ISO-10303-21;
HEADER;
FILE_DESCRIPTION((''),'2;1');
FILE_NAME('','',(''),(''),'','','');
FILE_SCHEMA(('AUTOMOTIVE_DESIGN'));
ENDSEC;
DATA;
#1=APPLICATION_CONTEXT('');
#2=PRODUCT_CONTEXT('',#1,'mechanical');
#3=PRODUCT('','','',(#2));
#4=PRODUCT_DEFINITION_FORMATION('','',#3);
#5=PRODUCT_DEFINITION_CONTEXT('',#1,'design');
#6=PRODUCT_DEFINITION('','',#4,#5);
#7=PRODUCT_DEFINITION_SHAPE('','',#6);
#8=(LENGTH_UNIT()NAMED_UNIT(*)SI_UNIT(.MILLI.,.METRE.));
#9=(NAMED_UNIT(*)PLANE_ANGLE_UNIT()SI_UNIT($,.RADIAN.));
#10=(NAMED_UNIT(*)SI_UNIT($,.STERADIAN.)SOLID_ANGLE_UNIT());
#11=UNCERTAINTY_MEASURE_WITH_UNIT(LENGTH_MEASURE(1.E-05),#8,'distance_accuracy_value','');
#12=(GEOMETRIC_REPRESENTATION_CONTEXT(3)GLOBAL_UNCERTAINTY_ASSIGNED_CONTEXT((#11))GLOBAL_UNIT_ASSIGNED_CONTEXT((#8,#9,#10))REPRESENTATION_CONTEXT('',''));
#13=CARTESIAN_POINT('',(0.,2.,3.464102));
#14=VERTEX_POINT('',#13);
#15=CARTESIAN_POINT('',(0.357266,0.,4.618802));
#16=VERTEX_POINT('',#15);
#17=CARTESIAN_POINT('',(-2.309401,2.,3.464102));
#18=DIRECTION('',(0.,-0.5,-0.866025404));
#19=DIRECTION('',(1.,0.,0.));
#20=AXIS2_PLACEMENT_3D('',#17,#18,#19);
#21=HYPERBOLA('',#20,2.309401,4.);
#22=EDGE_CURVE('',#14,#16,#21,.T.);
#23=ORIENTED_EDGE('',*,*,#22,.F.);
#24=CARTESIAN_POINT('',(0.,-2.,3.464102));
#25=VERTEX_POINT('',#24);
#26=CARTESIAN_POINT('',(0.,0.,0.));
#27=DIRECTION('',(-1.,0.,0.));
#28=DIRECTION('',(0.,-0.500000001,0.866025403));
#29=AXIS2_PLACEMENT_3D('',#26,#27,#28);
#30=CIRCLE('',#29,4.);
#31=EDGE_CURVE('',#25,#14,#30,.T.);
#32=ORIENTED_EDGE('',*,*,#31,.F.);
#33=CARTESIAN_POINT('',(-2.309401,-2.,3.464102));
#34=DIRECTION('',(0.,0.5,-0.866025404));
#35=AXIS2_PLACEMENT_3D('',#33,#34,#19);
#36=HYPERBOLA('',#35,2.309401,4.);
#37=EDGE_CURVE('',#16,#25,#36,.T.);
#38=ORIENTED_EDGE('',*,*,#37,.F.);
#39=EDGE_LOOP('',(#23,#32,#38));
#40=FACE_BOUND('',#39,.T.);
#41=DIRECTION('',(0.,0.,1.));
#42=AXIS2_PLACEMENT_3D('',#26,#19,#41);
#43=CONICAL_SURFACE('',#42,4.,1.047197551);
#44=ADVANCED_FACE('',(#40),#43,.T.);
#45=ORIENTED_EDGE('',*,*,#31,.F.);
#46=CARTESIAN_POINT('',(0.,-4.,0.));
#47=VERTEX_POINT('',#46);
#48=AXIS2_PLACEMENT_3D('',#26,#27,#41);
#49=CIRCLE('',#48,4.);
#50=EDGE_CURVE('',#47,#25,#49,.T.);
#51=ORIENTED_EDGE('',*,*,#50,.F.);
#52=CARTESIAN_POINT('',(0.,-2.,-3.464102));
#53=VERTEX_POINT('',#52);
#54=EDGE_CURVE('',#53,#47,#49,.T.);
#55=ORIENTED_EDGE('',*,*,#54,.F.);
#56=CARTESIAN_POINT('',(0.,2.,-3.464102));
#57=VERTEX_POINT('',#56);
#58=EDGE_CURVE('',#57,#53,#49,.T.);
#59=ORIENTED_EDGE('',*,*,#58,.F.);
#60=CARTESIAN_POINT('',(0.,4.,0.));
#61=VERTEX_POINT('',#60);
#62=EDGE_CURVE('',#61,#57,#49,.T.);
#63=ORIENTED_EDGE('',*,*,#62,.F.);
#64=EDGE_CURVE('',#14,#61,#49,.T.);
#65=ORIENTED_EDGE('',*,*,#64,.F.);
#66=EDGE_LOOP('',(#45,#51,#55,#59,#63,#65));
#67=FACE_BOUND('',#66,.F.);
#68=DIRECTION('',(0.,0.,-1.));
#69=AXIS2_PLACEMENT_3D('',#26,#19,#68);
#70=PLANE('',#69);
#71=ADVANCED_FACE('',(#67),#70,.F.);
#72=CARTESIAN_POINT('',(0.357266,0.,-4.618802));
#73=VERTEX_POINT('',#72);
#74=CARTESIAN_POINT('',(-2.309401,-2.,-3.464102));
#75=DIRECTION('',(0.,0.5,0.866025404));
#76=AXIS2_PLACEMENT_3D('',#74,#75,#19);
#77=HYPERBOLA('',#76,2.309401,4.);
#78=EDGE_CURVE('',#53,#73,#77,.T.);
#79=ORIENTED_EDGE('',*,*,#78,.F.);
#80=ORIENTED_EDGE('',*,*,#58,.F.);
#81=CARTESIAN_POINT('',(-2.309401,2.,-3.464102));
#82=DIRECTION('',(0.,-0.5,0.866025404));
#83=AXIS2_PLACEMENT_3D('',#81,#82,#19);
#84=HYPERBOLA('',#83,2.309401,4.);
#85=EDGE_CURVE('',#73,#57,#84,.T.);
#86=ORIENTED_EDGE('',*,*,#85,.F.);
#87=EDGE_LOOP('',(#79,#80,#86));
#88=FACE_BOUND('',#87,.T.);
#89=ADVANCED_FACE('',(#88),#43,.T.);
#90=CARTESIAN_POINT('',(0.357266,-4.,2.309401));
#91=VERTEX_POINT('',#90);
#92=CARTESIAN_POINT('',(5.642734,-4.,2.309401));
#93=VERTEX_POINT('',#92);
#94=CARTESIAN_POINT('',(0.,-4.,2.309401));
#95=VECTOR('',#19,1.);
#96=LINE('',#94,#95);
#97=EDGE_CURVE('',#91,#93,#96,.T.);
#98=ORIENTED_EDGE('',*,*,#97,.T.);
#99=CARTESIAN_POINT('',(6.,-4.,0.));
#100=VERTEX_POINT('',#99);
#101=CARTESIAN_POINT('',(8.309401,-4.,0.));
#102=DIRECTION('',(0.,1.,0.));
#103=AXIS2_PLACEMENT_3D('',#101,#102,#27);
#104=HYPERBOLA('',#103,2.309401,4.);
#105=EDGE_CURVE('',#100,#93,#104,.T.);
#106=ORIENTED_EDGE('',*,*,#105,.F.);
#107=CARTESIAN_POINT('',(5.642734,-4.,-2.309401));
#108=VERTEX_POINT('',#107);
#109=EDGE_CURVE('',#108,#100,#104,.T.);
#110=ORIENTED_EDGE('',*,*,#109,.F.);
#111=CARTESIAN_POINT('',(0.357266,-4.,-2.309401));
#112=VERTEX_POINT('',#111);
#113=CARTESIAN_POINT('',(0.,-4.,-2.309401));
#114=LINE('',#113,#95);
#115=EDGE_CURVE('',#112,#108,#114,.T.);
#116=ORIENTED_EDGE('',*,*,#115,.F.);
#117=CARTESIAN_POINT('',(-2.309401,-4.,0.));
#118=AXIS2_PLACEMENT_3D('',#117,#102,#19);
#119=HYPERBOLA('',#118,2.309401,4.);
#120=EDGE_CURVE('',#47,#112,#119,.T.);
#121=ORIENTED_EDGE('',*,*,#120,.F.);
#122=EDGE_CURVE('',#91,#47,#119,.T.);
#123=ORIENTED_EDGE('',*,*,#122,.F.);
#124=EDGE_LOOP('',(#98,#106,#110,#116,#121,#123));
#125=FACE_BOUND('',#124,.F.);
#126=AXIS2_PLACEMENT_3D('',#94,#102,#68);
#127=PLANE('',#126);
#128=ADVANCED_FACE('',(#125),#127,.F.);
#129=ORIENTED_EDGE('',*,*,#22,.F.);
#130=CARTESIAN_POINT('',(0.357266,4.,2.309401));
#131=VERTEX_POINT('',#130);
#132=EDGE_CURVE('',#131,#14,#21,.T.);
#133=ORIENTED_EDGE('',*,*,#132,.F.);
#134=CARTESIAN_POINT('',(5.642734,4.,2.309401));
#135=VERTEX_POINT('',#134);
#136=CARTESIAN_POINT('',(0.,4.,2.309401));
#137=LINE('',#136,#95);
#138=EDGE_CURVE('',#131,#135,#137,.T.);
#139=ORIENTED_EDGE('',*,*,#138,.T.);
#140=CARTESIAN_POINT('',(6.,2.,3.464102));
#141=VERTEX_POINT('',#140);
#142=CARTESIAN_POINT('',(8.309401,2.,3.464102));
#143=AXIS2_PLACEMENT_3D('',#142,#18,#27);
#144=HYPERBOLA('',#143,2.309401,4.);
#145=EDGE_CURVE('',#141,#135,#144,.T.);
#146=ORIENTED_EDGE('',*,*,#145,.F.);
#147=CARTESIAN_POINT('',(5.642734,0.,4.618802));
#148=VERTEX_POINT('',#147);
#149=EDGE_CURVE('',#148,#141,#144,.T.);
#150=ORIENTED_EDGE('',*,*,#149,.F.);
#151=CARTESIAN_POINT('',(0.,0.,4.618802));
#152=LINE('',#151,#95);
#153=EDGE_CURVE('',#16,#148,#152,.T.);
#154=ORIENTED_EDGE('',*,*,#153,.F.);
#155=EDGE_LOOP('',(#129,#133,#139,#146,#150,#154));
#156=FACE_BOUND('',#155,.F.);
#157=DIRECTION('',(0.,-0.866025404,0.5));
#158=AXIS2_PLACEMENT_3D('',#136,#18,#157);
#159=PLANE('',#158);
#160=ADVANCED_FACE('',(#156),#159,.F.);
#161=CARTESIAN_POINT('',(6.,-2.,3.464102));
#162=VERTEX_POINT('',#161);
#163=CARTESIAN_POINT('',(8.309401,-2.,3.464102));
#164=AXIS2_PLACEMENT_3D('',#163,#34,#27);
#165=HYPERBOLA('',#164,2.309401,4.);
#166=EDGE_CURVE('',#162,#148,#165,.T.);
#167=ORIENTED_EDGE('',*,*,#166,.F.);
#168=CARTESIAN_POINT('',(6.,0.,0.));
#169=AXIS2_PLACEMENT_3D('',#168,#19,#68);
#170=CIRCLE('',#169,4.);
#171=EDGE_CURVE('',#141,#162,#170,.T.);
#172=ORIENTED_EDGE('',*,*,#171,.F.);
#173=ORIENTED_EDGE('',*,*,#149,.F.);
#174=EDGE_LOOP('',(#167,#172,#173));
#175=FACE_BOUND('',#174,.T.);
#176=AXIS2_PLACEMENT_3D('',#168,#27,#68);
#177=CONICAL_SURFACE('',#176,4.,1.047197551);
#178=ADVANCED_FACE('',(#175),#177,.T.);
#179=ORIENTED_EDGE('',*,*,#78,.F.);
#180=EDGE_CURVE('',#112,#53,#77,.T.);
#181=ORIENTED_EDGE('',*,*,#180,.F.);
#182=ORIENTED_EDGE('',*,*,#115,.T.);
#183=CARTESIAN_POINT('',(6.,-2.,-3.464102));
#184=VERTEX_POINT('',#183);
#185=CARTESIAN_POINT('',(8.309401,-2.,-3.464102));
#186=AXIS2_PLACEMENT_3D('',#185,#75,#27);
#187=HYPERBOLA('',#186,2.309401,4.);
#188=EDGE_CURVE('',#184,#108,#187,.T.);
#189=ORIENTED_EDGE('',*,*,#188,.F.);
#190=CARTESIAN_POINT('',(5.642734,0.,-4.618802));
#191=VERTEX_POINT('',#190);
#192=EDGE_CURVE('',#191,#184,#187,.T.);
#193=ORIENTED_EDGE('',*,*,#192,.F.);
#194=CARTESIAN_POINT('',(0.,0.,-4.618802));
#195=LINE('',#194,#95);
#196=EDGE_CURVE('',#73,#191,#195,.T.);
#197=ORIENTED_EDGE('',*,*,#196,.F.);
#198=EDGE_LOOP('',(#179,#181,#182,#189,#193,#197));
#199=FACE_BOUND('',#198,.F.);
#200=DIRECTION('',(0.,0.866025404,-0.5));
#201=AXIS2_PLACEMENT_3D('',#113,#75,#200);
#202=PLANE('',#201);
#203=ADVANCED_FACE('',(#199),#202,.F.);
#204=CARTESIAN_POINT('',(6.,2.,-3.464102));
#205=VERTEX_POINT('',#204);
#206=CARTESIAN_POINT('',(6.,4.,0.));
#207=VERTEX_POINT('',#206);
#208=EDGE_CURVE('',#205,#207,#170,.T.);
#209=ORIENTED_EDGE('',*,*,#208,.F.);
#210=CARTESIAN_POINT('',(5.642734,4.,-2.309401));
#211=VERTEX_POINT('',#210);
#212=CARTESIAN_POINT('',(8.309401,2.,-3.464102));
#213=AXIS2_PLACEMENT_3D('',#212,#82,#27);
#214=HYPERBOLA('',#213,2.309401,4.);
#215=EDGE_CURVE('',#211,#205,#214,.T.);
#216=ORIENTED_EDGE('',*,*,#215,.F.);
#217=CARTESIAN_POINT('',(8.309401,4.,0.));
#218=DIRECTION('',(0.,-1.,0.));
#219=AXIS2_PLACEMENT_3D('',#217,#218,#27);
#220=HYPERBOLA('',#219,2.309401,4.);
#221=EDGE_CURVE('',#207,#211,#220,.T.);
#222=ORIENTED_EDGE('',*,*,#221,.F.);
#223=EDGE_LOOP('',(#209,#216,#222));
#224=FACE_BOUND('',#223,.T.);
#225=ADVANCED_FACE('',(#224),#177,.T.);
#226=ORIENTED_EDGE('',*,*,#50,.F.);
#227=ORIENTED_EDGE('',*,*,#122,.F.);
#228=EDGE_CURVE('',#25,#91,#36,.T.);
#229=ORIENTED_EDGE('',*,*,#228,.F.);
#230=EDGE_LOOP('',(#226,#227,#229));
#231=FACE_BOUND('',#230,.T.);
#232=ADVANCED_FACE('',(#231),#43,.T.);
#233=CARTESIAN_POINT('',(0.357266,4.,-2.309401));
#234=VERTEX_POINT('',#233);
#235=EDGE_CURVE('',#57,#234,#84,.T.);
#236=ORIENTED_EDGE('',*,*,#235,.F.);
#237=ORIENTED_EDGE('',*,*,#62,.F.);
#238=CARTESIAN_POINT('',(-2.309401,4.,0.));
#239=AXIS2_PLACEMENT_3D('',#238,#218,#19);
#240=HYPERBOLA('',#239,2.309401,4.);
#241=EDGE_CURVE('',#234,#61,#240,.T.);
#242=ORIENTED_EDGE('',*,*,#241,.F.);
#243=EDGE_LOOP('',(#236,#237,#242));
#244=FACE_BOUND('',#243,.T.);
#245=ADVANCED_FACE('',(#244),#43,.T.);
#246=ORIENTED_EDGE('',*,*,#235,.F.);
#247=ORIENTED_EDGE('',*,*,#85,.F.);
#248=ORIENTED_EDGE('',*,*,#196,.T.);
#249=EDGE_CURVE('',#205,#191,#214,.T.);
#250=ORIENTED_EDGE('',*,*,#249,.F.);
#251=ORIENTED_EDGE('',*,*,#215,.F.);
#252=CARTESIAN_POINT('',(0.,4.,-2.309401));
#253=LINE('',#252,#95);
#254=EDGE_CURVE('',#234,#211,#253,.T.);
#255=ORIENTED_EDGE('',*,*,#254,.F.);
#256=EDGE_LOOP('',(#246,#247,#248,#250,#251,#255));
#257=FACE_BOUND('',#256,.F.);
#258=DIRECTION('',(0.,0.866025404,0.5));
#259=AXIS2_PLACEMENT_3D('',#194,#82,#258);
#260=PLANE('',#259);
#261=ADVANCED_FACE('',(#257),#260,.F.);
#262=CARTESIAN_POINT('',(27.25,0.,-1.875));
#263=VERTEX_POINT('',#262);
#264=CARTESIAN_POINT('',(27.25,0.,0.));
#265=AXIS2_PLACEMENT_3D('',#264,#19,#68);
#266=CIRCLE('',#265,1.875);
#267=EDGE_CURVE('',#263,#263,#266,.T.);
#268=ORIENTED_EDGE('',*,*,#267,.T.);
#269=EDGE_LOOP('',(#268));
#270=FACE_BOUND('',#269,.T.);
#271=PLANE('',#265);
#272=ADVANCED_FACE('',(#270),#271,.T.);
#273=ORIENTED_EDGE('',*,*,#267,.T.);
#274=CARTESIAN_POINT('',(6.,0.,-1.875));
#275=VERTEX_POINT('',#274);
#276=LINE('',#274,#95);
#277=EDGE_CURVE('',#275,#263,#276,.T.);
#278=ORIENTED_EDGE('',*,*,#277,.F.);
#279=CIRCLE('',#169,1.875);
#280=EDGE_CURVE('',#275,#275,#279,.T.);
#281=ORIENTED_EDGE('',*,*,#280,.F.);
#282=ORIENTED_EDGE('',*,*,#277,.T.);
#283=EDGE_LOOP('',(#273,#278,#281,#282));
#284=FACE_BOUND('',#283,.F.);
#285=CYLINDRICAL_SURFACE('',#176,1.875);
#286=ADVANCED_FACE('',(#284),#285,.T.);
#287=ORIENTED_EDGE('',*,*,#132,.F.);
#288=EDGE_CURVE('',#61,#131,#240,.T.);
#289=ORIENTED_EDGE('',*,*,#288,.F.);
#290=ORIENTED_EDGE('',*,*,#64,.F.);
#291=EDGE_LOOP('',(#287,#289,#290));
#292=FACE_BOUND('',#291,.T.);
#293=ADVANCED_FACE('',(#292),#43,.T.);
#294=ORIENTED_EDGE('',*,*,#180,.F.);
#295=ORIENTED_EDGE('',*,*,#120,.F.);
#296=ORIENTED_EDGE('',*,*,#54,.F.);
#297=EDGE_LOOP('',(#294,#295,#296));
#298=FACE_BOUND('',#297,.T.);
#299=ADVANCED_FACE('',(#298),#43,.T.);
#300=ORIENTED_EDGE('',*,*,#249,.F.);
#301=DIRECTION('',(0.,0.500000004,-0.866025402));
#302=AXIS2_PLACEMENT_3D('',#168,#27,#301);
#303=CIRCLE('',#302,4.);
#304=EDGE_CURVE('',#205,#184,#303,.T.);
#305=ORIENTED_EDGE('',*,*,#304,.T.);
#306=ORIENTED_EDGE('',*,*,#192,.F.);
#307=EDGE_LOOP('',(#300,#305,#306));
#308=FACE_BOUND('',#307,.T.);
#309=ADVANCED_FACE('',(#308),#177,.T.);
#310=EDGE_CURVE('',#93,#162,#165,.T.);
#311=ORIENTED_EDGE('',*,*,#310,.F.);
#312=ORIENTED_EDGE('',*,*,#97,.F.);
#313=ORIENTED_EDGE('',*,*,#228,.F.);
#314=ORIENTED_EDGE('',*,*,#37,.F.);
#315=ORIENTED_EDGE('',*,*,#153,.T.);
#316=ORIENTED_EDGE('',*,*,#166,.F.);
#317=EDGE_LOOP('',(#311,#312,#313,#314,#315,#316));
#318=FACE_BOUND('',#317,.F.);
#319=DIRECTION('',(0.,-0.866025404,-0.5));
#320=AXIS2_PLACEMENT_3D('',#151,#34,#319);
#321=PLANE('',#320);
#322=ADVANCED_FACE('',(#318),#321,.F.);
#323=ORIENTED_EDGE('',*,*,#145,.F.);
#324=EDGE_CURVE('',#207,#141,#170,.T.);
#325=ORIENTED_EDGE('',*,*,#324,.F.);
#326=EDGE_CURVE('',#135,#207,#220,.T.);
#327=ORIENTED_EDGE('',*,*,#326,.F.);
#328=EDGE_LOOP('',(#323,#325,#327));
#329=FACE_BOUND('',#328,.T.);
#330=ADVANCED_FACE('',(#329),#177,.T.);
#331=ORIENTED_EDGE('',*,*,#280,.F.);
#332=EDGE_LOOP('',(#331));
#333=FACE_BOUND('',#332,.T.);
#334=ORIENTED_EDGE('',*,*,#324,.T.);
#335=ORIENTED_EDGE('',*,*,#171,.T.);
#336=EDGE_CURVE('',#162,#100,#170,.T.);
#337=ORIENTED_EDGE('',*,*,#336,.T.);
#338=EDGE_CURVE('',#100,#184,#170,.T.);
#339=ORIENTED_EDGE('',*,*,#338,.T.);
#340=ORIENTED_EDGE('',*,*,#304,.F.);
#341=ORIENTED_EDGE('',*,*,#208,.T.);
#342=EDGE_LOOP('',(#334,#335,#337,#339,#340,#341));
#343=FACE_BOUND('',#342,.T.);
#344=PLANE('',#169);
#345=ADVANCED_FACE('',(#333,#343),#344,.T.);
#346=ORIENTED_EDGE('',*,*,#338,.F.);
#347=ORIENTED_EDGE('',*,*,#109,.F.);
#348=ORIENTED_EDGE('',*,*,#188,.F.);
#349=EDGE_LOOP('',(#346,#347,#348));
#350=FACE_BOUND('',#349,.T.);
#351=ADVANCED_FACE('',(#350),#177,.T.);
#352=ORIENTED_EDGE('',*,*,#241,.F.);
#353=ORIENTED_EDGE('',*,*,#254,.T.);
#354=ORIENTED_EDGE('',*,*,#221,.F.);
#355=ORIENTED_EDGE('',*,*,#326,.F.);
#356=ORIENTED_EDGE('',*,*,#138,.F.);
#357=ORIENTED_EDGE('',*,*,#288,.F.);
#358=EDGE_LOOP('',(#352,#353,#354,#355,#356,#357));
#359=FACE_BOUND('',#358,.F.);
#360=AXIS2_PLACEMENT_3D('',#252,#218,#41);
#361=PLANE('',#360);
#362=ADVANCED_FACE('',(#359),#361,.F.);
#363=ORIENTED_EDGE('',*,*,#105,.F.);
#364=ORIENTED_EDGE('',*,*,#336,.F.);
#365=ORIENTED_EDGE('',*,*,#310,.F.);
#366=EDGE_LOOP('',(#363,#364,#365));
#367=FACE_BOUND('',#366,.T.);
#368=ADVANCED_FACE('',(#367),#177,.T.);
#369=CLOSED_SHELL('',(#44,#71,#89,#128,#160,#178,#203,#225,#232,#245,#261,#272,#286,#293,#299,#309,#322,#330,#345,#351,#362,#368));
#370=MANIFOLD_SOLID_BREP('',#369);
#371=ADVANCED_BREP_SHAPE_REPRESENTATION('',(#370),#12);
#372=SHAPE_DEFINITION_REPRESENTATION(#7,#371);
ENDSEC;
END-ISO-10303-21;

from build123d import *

# Parameters (mm, degrees)
Y_KSEKLIK_EKSTR_ZYON1_DEPTH = 6
IZIM2_R                     = 1.875
Y_KSEKLIK_EKSTR_ZYON2_DEPTH = 21.25
IZIM3_OUTSIDE_W             = 51.852
IZIM3_OUTSIDE_H             = 50.614
IZIM3_OUTSIDE_R             = 4
KES_EKSTR_ZYON1_DEPTH       = 10
KES_EKSTR_ZYON1_DRAFT       = -60
IZIM4_OUTSIDE_W             = 51.852
IZIM4_OUTSIDE_H             = 50.614
IZIM4_OUTSIDE_R             = 4
KES_EKSTR_ZYON2_DEPTH       = 10
KES_EKSTR_ZYON2_DRAFT       = -60


with BuildPart() as part:
    # Çizim1 → Yükseklik-Ekstrüzyon1 (new body)
    with BuildSketch(Plane(origin=(0, 0, 0), x_dir=(0, 0, -1), z_dir=(1, 0, 0))):
        Polygon((4.618802154, 0), (2.309401077, 4), (-2.309401077, 4), (-4.618802154, 0), (-2.309401077, -4), (2.309401077, -4), align=None)
    extrude(amount=Y_KSEKLIK_EKSTR_ZYON1_DEPTH)

    # Çizim2 → Yükseklik-Ekstrüzyon2 (add)
    with BuildSketch(Plane(origin=(6, 0, 0), x_dir=(0, 0, -1), z_dir=(1, 0, 0))):
        Circle(IZIM2_R)
    extrude(amount=Y_KSEKLIK_EKSTR_ZYON2_DEPTH)


with BuildPart() as kes_ekstr_zyon1_tool:
    # Çizim3 outside → Kes-Ekstrüzyon1 (with draft: the straight prism first)
    with BuildSketch(Plane(origin=(6, 0, 0), x_dir=(0, 0, -1), z_dir=(1, 0, 0))):
        Rectangle(IZIM3_OUTSIDE_W, IZIM3_OUTSIDE_H)
        Circle(IZIM3_OUTSIDE_R, mode=Mode.SUBTRACT)
    extrude(amount=-KES_EKSTR_ZYON1_DEPTH)
    # Kes-Ekstrüzyon1: the draft: its side faces are tilted about the plane it starts from
    kes_ekstr_zyon1_sides = [kes_ekstr_zyon1_tool.faces().sort_by_distance(p)[0] for p in [
        (1, -25.307, 0),
        (1, 0, -25.926),
        (1, 25.307, 0),
        (1, 0, 25.926),
        (1, 0, 4),
    ]]
    draft(kes_ekstr_zyon1_sides, Plane(origin=(6, 0, 0), x_dir=(0, 0, -1), z_dir=(1, 0, 0)), KES_EKSTR_ZYON1_DRAFT)


with BuildPart() as part_1:
    add(part.part)

    # Kes-Ekstrüzyon1: cut by kes_ekstr_zyon1_tool
    add(kes_ekstr_zyon1_tool.part, mode=Mode.SUBTRACT)


with BuildPart() as kes_ekstr_zyon2_tool:
    # Çizim4 outside → Kes-Ekstrüzyon2 (with draft: the straight prism first)
    with BuildSketch(Plane.ZY):
        Rectangle(IZIM4_OUTSIDE_W, IZIM4_OUTSIDE_H)
        Circle(IZIM4_OUTSIDE_R, mode=Mode.SUBTRACT)
    extrude(amount=-KES_EKSTR_ZYON2_DEPTH)
    # Kes-Ekstrüzyon2: the draft: its side faces are tilted about the plane it starts from
    kes_ekstr_zyon2_sides = [kes_ekstr_zyon2_tool.faces().sort_by_distance(p)[0] for p in [
        (5, -25.307, 0),
        (5, 0, 25.926),
        (5, 25.307, 0),
        (5, 0, -25.926),
        (5, 0, -4),
    ]]
    draft(kes_ekstr_zyon2_sides, Plane.ZY, KES_EKSTR_ZYON2_DRAFT)


with BuildPart() as part_2:
    add(part_1.part)

    # Kes-Ekstrüzyon2: cut by kes_ekstr_zyon2_tool
    add(kes_ekstr_zyon2_tool.part, mode=Mode.SUBTRACT)


solid = part_2.part
